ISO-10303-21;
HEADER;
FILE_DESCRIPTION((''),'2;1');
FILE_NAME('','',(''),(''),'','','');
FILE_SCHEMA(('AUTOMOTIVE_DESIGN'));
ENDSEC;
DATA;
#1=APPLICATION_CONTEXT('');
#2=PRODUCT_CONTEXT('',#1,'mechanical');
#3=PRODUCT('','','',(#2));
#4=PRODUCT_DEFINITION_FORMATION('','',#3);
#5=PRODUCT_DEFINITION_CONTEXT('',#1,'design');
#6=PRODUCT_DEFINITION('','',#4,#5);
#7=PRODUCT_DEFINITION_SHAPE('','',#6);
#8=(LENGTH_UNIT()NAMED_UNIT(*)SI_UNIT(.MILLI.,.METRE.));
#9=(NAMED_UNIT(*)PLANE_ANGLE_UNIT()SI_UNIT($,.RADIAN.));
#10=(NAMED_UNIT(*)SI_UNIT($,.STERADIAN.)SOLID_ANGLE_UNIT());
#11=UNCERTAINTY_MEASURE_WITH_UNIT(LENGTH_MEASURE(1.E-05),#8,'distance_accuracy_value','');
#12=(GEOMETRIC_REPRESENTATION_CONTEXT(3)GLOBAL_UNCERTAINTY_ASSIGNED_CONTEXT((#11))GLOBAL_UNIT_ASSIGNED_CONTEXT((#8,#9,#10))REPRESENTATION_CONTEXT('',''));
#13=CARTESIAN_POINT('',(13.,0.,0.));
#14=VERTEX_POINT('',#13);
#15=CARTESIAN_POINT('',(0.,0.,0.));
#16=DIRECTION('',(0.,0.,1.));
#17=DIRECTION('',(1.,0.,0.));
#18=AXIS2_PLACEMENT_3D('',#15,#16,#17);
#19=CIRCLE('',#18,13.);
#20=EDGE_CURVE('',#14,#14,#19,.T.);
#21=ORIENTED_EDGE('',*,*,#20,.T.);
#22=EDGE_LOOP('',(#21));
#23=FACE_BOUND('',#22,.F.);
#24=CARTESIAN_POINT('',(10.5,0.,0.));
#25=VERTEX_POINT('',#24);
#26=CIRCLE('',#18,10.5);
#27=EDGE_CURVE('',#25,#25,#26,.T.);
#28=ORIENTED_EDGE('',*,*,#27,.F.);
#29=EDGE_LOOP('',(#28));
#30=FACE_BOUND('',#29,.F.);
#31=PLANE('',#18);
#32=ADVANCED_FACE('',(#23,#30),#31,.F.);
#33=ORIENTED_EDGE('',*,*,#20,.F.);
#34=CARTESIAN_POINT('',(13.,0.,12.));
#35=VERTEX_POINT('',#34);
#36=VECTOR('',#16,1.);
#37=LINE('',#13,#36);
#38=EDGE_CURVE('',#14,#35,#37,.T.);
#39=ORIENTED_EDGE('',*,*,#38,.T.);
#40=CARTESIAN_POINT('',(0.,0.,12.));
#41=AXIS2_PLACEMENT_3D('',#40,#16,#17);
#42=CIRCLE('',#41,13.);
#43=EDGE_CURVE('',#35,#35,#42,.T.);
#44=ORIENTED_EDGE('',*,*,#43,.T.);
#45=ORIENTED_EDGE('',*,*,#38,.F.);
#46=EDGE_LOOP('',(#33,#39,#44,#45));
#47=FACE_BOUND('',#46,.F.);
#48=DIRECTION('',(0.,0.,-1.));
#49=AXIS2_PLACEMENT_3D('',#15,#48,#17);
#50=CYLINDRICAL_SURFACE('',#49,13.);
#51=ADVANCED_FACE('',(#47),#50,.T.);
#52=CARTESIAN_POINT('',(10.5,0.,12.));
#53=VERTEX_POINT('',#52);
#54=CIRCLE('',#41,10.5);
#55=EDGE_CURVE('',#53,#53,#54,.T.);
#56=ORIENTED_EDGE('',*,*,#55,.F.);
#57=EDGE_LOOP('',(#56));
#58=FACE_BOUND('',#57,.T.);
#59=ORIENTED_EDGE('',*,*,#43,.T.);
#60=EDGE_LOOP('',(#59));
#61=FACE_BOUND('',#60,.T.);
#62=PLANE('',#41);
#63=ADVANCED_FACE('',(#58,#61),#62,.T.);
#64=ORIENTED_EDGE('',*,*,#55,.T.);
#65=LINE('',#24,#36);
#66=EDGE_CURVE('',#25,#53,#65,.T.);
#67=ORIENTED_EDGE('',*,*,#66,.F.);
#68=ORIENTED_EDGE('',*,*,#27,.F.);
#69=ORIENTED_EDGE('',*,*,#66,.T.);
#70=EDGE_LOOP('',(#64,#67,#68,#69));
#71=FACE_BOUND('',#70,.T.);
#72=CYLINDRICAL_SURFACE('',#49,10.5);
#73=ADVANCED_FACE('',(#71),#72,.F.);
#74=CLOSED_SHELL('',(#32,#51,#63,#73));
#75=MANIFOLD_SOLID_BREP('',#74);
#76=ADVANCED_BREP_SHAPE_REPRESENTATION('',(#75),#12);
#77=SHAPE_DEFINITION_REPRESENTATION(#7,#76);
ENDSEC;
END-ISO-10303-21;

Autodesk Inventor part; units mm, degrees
ref_plane "YZ Plane" through (0, 0, 0) normal (1, 0, 0) x (0, 1, 0)
ref_plane "XZ Plane" through (0, 0, 0) normal (0, 1, 0) x (-1, 0, 0)
ref_plane "XY Plane" through (0, 0, 0) normal (0, 0, 1) x (1, 0, 0)
sketch "Szkic1" plane through (0, 0, 0) normal (0, 0, 1) x (1, 0, 0)
  circle A0 centre (0, 0) radius 13
  circle A1 centre (0, 0) radius 10.5
  dimension "d0" = 26
  dimension "d1" = 21
extrude "Wyciągnięcie proste1" add sketch "Szkic1" along normal blind 12
properties part number "opona"
